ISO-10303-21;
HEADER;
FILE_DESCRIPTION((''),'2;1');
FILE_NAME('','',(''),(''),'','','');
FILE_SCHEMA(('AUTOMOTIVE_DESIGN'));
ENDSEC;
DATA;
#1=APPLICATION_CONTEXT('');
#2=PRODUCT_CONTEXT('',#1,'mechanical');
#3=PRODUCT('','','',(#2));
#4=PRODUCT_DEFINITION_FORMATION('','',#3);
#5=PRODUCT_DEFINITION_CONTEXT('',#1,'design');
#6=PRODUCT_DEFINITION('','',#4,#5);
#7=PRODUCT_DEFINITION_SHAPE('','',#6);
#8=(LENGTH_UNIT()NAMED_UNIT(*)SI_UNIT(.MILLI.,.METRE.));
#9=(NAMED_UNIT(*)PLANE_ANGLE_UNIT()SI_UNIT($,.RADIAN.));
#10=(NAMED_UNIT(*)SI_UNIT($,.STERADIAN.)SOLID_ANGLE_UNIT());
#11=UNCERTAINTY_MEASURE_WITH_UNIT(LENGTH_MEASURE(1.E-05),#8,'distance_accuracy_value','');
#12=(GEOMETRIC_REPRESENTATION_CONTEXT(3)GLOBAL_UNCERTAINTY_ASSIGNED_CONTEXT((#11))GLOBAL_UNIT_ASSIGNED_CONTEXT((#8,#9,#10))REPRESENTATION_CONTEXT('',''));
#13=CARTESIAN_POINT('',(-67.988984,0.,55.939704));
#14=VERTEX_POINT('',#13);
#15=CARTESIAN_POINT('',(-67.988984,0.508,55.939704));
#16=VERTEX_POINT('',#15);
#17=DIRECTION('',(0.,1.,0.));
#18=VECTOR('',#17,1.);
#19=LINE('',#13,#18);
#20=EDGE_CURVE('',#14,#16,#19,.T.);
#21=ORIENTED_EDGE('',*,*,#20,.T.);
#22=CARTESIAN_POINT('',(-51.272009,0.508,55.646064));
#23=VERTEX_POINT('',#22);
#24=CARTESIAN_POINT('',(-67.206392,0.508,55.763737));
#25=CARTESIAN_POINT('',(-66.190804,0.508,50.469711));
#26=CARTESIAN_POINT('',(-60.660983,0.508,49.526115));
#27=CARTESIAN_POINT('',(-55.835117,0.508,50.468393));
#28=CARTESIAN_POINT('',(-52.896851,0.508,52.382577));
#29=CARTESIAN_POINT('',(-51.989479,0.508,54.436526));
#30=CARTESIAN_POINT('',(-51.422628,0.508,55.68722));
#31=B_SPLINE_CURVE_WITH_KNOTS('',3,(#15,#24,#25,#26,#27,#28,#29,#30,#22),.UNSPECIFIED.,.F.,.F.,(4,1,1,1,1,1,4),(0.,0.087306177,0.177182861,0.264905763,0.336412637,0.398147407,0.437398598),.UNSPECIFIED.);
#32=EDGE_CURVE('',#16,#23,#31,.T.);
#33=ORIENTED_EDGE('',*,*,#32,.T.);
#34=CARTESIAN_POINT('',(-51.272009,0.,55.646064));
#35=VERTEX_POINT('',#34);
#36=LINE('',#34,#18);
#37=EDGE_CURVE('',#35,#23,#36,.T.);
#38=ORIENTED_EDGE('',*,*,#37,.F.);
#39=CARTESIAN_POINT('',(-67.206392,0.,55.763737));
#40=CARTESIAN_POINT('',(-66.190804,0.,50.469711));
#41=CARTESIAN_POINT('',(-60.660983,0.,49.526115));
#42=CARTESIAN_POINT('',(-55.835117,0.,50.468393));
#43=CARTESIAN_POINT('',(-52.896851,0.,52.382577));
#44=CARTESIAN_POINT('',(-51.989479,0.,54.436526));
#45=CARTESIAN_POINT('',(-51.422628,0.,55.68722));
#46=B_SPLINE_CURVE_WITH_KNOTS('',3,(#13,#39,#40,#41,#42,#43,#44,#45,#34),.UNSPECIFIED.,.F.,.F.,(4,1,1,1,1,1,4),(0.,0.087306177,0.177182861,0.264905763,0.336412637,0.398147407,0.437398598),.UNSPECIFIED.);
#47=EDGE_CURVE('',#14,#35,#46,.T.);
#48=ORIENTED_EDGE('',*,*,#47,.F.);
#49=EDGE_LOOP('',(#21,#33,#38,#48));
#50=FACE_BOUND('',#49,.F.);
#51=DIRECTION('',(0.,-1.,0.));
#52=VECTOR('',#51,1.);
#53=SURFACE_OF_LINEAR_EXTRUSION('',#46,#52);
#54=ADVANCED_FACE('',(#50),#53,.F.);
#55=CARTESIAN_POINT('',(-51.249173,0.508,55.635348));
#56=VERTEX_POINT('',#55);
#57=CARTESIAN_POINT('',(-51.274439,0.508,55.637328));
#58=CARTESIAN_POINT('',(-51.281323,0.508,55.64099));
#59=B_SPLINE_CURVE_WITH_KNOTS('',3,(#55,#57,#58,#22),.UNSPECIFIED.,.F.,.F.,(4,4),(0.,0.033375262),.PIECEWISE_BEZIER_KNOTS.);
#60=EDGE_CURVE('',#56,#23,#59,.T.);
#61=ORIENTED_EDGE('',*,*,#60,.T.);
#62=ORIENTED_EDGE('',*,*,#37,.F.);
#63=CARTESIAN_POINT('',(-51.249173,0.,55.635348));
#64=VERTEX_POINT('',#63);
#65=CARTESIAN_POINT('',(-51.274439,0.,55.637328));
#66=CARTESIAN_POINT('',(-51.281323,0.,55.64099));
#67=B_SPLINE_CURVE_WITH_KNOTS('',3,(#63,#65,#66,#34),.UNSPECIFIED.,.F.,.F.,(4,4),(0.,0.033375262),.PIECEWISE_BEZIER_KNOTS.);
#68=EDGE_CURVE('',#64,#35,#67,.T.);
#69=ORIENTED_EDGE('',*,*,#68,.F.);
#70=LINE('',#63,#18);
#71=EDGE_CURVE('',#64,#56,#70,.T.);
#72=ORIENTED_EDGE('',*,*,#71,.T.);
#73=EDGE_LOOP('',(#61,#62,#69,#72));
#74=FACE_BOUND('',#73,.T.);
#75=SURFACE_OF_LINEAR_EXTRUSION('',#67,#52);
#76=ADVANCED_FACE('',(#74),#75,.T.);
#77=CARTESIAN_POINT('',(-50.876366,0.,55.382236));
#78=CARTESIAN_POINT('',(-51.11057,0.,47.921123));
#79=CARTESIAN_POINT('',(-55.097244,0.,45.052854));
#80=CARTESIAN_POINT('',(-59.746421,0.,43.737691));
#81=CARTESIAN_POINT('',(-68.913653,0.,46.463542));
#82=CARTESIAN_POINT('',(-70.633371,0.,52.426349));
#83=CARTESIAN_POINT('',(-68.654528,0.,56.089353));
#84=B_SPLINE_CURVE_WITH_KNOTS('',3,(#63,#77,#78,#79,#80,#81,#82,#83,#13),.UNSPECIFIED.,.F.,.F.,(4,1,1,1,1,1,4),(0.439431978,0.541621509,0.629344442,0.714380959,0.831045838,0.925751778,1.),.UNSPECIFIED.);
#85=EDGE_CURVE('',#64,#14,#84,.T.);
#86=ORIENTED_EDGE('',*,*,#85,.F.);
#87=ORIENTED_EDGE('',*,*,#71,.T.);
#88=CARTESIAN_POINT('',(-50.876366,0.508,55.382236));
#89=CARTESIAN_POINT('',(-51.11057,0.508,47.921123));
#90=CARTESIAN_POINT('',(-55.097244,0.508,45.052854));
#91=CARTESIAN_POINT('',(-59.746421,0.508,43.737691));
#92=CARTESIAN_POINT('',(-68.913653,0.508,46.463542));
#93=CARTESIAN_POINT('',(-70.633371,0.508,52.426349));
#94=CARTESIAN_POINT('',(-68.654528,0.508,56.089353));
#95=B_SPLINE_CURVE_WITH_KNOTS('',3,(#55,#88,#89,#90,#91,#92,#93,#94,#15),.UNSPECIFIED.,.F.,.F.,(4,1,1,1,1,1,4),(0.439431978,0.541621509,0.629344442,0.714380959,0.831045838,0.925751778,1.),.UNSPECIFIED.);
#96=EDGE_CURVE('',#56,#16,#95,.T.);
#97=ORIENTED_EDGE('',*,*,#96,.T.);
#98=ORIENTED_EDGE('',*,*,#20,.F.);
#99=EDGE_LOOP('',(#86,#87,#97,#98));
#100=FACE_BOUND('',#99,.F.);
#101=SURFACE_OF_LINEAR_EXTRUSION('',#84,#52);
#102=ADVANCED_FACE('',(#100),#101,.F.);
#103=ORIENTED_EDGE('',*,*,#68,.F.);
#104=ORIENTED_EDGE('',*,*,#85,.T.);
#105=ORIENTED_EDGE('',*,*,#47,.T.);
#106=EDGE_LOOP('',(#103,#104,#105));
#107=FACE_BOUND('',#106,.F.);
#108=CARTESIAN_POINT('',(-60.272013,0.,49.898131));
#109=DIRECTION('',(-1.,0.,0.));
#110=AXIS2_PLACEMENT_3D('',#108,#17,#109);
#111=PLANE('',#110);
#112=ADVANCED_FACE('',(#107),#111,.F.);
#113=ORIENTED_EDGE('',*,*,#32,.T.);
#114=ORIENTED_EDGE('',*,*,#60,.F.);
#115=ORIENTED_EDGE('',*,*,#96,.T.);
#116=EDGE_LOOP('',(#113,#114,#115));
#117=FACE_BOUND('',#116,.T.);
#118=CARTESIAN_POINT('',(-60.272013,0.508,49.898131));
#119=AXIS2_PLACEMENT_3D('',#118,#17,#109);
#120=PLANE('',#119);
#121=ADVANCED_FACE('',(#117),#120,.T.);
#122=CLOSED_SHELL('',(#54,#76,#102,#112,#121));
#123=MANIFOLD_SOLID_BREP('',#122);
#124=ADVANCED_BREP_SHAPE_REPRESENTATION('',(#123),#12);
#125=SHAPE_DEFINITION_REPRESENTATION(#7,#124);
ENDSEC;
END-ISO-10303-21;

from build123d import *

# Parameters (mm, degrees)
F1_DEPTH = 0.508


with BuildPart() as f1:
    # F0 (on Front) → F1 (new body)
    with BuildSketch(Plane.XZ):
        with BuildLine():
            add(Edge.make_bspline(
                [(-51.2491725385, 55.6353479624), (-50.8763662332, 55.3822355251), (-51.1105697194, 47.9211229415), (-55.0972442125, 45.0528539609), (-59.7464211793, 43.737690822), (-68.9136530576, 46.4635419171), (-70.6333707674, 52.4263488922), (-68.6545284769, 56.0893528247), (-67.9889842868, 55.9397041798)],
                knots=[0.439431978, 0.439431978, 0.439431978, 0.439431978, 0.5416215085, 0.6293444424, 0.7143809594, 0.8310458383, 0.9257517784, 1, 1, 1, 1], degree=3))
            add(Edge.make_bspline(
                [(-51.2491725385, 55.6353479624), (-51.2744394141, 55.6373283491), (-51.2813228992, 55.6409904535), (-51.2720090543, 55.6460635955)],
                knots=[0, 0, 0, 0, 0.0333752624, 0.0333752624, 0.0333752624, 0.0333752624], degree=3))
            add(Edge.make_bspline(
                [(-67.9889842868, 55.9397041798), (-67.2063915495, 55.7637369872), (-66.1908038632, 50.4697110357), (-60.6609834106, 49.5261149059), (-55.8351171284, 50.4683926678), (-52.8968506861, 52.3825774353), (-51.9894792641, 54.4365262072), (-51.4226281453, 55.6872197206), (-51.2720090543, 55.6460635955)],
                knots=[0, 0, 0, 0, 0.0873061772, 0.1771828613, 0.2649057628, 0.336412637, 0.3981474066, 0.4373985976, 0.4373985976, 0.4373985976, 0.4373985976], degree=3))
        make_face()
    extrude(amount=-F1_DEPTH)


solid = f1.part
